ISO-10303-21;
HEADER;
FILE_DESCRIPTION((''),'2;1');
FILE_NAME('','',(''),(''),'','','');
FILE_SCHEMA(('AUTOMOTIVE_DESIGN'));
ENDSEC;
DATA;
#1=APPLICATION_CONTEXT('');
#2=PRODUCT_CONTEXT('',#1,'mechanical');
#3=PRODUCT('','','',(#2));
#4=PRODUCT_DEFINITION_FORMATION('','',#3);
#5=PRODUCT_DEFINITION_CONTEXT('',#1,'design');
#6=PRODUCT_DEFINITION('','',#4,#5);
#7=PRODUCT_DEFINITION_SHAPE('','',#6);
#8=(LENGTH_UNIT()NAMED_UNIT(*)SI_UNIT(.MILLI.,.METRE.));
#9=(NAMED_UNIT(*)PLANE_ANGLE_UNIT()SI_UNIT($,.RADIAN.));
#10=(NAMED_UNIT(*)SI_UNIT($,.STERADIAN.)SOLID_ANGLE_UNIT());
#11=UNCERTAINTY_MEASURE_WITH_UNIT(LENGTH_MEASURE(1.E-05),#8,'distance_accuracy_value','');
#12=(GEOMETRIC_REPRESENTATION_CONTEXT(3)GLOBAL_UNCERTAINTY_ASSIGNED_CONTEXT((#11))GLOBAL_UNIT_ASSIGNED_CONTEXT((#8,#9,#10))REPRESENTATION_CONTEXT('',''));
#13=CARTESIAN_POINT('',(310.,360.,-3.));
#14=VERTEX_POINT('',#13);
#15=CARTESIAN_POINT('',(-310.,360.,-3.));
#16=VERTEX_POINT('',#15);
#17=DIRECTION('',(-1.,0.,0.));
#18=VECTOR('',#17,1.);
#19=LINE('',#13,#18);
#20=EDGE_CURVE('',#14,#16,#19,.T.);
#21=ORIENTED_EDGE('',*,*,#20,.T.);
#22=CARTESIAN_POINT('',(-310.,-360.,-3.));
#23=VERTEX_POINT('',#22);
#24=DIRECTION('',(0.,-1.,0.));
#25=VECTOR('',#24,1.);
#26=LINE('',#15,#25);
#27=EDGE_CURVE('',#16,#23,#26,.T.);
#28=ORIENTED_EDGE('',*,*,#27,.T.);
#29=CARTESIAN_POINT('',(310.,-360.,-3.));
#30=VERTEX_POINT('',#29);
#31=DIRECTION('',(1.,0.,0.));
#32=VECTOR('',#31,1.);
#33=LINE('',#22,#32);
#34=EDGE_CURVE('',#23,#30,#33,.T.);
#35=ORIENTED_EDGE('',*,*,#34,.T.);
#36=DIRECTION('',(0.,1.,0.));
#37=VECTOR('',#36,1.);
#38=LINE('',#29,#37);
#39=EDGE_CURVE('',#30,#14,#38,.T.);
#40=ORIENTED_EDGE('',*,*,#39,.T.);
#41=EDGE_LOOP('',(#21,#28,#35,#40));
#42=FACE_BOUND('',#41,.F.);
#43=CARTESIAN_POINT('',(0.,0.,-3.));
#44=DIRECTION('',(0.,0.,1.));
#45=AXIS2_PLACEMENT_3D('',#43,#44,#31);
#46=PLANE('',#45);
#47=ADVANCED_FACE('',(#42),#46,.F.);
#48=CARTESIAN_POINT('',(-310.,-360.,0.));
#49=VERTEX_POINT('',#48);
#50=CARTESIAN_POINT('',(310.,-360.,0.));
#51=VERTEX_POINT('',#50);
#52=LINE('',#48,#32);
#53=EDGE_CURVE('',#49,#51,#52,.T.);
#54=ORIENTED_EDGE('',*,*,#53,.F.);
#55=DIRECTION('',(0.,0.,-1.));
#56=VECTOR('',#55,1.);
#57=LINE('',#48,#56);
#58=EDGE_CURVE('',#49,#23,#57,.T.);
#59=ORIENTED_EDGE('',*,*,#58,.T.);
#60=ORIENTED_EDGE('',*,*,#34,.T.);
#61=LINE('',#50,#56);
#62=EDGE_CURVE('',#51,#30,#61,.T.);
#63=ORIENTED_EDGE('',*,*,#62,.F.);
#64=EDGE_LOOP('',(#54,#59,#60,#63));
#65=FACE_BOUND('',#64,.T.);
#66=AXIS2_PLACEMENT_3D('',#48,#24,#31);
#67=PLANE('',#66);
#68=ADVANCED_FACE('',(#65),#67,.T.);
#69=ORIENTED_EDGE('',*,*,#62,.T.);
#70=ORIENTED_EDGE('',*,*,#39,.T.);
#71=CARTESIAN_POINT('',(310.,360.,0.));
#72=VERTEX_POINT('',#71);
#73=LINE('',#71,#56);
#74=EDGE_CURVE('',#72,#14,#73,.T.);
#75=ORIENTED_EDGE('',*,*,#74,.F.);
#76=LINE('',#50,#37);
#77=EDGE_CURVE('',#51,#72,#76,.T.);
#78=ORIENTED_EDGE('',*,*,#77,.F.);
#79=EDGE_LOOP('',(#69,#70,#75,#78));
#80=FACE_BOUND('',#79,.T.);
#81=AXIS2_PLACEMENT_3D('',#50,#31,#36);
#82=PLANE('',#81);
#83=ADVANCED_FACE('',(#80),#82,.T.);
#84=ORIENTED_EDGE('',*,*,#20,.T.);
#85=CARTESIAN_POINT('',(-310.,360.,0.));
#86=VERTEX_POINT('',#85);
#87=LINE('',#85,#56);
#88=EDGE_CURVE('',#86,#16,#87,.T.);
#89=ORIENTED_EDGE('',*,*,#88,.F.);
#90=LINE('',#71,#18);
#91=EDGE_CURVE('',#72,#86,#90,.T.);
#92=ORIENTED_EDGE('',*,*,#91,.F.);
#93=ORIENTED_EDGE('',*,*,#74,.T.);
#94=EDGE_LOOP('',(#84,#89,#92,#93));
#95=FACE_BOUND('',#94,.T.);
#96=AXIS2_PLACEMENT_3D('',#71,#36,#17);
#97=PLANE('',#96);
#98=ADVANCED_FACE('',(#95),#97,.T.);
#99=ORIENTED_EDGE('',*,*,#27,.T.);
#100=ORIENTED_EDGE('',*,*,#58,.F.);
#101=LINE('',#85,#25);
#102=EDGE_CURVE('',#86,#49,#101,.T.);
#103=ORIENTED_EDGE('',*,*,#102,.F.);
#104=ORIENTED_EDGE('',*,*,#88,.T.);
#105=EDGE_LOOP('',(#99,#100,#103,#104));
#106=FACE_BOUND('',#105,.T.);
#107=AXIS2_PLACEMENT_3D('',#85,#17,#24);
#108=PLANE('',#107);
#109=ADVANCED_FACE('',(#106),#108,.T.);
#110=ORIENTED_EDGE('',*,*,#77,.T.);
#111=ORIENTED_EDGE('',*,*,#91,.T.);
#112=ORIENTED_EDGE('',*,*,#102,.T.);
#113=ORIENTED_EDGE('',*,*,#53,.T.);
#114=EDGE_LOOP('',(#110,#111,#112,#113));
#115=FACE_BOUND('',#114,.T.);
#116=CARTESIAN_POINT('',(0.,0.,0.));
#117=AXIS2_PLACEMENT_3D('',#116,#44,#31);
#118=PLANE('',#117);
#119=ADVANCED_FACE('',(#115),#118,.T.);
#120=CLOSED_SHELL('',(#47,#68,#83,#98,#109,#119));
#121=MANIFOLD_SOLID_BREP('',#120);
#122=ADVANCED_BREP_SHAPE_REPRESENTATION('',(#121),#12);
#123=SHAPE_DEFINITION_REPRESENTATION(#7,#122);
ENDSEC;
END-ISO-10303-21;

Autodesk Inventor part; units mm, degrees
ref_plane "YZ Plane" through (0, 0, 0) normal (1, 0, 0) x (0, 1, 0)
ref_plane "XZ Plane" through (0, 0, 0) normal (0, 1, 0) x (-1, 0, 0)
ref_plane "XY Plane" through (0, 0, 0) normal (0, 0, 1) x (1, 0, 0)
sketch "Sketch1" plane through (0, 0, 0) normal (0, 0, 1) x (1, 0, 0)
  line L0 (-310, -360) -> (310, -360)
  line L1 (310, -360) -> (310, 360)
  line L2 (310, 360) -> (-310, 360)
  line L3 (-310, 360) -> (-310, -360)
  line L4 (-310, -360) -> (310, 360) construction
  line L5 (310, -360) -> (-310, 360) construction
  point P0 (0, 0)
  dimension "d0" = 620
  dimension "d1" = 720
extrude "Extrusion1" add sketch "Sketch1" against normal blind 3
properties part number "RT_FRM_V5_MC_01_ElectronicsRight" material "Polycarbonate, Clear"
